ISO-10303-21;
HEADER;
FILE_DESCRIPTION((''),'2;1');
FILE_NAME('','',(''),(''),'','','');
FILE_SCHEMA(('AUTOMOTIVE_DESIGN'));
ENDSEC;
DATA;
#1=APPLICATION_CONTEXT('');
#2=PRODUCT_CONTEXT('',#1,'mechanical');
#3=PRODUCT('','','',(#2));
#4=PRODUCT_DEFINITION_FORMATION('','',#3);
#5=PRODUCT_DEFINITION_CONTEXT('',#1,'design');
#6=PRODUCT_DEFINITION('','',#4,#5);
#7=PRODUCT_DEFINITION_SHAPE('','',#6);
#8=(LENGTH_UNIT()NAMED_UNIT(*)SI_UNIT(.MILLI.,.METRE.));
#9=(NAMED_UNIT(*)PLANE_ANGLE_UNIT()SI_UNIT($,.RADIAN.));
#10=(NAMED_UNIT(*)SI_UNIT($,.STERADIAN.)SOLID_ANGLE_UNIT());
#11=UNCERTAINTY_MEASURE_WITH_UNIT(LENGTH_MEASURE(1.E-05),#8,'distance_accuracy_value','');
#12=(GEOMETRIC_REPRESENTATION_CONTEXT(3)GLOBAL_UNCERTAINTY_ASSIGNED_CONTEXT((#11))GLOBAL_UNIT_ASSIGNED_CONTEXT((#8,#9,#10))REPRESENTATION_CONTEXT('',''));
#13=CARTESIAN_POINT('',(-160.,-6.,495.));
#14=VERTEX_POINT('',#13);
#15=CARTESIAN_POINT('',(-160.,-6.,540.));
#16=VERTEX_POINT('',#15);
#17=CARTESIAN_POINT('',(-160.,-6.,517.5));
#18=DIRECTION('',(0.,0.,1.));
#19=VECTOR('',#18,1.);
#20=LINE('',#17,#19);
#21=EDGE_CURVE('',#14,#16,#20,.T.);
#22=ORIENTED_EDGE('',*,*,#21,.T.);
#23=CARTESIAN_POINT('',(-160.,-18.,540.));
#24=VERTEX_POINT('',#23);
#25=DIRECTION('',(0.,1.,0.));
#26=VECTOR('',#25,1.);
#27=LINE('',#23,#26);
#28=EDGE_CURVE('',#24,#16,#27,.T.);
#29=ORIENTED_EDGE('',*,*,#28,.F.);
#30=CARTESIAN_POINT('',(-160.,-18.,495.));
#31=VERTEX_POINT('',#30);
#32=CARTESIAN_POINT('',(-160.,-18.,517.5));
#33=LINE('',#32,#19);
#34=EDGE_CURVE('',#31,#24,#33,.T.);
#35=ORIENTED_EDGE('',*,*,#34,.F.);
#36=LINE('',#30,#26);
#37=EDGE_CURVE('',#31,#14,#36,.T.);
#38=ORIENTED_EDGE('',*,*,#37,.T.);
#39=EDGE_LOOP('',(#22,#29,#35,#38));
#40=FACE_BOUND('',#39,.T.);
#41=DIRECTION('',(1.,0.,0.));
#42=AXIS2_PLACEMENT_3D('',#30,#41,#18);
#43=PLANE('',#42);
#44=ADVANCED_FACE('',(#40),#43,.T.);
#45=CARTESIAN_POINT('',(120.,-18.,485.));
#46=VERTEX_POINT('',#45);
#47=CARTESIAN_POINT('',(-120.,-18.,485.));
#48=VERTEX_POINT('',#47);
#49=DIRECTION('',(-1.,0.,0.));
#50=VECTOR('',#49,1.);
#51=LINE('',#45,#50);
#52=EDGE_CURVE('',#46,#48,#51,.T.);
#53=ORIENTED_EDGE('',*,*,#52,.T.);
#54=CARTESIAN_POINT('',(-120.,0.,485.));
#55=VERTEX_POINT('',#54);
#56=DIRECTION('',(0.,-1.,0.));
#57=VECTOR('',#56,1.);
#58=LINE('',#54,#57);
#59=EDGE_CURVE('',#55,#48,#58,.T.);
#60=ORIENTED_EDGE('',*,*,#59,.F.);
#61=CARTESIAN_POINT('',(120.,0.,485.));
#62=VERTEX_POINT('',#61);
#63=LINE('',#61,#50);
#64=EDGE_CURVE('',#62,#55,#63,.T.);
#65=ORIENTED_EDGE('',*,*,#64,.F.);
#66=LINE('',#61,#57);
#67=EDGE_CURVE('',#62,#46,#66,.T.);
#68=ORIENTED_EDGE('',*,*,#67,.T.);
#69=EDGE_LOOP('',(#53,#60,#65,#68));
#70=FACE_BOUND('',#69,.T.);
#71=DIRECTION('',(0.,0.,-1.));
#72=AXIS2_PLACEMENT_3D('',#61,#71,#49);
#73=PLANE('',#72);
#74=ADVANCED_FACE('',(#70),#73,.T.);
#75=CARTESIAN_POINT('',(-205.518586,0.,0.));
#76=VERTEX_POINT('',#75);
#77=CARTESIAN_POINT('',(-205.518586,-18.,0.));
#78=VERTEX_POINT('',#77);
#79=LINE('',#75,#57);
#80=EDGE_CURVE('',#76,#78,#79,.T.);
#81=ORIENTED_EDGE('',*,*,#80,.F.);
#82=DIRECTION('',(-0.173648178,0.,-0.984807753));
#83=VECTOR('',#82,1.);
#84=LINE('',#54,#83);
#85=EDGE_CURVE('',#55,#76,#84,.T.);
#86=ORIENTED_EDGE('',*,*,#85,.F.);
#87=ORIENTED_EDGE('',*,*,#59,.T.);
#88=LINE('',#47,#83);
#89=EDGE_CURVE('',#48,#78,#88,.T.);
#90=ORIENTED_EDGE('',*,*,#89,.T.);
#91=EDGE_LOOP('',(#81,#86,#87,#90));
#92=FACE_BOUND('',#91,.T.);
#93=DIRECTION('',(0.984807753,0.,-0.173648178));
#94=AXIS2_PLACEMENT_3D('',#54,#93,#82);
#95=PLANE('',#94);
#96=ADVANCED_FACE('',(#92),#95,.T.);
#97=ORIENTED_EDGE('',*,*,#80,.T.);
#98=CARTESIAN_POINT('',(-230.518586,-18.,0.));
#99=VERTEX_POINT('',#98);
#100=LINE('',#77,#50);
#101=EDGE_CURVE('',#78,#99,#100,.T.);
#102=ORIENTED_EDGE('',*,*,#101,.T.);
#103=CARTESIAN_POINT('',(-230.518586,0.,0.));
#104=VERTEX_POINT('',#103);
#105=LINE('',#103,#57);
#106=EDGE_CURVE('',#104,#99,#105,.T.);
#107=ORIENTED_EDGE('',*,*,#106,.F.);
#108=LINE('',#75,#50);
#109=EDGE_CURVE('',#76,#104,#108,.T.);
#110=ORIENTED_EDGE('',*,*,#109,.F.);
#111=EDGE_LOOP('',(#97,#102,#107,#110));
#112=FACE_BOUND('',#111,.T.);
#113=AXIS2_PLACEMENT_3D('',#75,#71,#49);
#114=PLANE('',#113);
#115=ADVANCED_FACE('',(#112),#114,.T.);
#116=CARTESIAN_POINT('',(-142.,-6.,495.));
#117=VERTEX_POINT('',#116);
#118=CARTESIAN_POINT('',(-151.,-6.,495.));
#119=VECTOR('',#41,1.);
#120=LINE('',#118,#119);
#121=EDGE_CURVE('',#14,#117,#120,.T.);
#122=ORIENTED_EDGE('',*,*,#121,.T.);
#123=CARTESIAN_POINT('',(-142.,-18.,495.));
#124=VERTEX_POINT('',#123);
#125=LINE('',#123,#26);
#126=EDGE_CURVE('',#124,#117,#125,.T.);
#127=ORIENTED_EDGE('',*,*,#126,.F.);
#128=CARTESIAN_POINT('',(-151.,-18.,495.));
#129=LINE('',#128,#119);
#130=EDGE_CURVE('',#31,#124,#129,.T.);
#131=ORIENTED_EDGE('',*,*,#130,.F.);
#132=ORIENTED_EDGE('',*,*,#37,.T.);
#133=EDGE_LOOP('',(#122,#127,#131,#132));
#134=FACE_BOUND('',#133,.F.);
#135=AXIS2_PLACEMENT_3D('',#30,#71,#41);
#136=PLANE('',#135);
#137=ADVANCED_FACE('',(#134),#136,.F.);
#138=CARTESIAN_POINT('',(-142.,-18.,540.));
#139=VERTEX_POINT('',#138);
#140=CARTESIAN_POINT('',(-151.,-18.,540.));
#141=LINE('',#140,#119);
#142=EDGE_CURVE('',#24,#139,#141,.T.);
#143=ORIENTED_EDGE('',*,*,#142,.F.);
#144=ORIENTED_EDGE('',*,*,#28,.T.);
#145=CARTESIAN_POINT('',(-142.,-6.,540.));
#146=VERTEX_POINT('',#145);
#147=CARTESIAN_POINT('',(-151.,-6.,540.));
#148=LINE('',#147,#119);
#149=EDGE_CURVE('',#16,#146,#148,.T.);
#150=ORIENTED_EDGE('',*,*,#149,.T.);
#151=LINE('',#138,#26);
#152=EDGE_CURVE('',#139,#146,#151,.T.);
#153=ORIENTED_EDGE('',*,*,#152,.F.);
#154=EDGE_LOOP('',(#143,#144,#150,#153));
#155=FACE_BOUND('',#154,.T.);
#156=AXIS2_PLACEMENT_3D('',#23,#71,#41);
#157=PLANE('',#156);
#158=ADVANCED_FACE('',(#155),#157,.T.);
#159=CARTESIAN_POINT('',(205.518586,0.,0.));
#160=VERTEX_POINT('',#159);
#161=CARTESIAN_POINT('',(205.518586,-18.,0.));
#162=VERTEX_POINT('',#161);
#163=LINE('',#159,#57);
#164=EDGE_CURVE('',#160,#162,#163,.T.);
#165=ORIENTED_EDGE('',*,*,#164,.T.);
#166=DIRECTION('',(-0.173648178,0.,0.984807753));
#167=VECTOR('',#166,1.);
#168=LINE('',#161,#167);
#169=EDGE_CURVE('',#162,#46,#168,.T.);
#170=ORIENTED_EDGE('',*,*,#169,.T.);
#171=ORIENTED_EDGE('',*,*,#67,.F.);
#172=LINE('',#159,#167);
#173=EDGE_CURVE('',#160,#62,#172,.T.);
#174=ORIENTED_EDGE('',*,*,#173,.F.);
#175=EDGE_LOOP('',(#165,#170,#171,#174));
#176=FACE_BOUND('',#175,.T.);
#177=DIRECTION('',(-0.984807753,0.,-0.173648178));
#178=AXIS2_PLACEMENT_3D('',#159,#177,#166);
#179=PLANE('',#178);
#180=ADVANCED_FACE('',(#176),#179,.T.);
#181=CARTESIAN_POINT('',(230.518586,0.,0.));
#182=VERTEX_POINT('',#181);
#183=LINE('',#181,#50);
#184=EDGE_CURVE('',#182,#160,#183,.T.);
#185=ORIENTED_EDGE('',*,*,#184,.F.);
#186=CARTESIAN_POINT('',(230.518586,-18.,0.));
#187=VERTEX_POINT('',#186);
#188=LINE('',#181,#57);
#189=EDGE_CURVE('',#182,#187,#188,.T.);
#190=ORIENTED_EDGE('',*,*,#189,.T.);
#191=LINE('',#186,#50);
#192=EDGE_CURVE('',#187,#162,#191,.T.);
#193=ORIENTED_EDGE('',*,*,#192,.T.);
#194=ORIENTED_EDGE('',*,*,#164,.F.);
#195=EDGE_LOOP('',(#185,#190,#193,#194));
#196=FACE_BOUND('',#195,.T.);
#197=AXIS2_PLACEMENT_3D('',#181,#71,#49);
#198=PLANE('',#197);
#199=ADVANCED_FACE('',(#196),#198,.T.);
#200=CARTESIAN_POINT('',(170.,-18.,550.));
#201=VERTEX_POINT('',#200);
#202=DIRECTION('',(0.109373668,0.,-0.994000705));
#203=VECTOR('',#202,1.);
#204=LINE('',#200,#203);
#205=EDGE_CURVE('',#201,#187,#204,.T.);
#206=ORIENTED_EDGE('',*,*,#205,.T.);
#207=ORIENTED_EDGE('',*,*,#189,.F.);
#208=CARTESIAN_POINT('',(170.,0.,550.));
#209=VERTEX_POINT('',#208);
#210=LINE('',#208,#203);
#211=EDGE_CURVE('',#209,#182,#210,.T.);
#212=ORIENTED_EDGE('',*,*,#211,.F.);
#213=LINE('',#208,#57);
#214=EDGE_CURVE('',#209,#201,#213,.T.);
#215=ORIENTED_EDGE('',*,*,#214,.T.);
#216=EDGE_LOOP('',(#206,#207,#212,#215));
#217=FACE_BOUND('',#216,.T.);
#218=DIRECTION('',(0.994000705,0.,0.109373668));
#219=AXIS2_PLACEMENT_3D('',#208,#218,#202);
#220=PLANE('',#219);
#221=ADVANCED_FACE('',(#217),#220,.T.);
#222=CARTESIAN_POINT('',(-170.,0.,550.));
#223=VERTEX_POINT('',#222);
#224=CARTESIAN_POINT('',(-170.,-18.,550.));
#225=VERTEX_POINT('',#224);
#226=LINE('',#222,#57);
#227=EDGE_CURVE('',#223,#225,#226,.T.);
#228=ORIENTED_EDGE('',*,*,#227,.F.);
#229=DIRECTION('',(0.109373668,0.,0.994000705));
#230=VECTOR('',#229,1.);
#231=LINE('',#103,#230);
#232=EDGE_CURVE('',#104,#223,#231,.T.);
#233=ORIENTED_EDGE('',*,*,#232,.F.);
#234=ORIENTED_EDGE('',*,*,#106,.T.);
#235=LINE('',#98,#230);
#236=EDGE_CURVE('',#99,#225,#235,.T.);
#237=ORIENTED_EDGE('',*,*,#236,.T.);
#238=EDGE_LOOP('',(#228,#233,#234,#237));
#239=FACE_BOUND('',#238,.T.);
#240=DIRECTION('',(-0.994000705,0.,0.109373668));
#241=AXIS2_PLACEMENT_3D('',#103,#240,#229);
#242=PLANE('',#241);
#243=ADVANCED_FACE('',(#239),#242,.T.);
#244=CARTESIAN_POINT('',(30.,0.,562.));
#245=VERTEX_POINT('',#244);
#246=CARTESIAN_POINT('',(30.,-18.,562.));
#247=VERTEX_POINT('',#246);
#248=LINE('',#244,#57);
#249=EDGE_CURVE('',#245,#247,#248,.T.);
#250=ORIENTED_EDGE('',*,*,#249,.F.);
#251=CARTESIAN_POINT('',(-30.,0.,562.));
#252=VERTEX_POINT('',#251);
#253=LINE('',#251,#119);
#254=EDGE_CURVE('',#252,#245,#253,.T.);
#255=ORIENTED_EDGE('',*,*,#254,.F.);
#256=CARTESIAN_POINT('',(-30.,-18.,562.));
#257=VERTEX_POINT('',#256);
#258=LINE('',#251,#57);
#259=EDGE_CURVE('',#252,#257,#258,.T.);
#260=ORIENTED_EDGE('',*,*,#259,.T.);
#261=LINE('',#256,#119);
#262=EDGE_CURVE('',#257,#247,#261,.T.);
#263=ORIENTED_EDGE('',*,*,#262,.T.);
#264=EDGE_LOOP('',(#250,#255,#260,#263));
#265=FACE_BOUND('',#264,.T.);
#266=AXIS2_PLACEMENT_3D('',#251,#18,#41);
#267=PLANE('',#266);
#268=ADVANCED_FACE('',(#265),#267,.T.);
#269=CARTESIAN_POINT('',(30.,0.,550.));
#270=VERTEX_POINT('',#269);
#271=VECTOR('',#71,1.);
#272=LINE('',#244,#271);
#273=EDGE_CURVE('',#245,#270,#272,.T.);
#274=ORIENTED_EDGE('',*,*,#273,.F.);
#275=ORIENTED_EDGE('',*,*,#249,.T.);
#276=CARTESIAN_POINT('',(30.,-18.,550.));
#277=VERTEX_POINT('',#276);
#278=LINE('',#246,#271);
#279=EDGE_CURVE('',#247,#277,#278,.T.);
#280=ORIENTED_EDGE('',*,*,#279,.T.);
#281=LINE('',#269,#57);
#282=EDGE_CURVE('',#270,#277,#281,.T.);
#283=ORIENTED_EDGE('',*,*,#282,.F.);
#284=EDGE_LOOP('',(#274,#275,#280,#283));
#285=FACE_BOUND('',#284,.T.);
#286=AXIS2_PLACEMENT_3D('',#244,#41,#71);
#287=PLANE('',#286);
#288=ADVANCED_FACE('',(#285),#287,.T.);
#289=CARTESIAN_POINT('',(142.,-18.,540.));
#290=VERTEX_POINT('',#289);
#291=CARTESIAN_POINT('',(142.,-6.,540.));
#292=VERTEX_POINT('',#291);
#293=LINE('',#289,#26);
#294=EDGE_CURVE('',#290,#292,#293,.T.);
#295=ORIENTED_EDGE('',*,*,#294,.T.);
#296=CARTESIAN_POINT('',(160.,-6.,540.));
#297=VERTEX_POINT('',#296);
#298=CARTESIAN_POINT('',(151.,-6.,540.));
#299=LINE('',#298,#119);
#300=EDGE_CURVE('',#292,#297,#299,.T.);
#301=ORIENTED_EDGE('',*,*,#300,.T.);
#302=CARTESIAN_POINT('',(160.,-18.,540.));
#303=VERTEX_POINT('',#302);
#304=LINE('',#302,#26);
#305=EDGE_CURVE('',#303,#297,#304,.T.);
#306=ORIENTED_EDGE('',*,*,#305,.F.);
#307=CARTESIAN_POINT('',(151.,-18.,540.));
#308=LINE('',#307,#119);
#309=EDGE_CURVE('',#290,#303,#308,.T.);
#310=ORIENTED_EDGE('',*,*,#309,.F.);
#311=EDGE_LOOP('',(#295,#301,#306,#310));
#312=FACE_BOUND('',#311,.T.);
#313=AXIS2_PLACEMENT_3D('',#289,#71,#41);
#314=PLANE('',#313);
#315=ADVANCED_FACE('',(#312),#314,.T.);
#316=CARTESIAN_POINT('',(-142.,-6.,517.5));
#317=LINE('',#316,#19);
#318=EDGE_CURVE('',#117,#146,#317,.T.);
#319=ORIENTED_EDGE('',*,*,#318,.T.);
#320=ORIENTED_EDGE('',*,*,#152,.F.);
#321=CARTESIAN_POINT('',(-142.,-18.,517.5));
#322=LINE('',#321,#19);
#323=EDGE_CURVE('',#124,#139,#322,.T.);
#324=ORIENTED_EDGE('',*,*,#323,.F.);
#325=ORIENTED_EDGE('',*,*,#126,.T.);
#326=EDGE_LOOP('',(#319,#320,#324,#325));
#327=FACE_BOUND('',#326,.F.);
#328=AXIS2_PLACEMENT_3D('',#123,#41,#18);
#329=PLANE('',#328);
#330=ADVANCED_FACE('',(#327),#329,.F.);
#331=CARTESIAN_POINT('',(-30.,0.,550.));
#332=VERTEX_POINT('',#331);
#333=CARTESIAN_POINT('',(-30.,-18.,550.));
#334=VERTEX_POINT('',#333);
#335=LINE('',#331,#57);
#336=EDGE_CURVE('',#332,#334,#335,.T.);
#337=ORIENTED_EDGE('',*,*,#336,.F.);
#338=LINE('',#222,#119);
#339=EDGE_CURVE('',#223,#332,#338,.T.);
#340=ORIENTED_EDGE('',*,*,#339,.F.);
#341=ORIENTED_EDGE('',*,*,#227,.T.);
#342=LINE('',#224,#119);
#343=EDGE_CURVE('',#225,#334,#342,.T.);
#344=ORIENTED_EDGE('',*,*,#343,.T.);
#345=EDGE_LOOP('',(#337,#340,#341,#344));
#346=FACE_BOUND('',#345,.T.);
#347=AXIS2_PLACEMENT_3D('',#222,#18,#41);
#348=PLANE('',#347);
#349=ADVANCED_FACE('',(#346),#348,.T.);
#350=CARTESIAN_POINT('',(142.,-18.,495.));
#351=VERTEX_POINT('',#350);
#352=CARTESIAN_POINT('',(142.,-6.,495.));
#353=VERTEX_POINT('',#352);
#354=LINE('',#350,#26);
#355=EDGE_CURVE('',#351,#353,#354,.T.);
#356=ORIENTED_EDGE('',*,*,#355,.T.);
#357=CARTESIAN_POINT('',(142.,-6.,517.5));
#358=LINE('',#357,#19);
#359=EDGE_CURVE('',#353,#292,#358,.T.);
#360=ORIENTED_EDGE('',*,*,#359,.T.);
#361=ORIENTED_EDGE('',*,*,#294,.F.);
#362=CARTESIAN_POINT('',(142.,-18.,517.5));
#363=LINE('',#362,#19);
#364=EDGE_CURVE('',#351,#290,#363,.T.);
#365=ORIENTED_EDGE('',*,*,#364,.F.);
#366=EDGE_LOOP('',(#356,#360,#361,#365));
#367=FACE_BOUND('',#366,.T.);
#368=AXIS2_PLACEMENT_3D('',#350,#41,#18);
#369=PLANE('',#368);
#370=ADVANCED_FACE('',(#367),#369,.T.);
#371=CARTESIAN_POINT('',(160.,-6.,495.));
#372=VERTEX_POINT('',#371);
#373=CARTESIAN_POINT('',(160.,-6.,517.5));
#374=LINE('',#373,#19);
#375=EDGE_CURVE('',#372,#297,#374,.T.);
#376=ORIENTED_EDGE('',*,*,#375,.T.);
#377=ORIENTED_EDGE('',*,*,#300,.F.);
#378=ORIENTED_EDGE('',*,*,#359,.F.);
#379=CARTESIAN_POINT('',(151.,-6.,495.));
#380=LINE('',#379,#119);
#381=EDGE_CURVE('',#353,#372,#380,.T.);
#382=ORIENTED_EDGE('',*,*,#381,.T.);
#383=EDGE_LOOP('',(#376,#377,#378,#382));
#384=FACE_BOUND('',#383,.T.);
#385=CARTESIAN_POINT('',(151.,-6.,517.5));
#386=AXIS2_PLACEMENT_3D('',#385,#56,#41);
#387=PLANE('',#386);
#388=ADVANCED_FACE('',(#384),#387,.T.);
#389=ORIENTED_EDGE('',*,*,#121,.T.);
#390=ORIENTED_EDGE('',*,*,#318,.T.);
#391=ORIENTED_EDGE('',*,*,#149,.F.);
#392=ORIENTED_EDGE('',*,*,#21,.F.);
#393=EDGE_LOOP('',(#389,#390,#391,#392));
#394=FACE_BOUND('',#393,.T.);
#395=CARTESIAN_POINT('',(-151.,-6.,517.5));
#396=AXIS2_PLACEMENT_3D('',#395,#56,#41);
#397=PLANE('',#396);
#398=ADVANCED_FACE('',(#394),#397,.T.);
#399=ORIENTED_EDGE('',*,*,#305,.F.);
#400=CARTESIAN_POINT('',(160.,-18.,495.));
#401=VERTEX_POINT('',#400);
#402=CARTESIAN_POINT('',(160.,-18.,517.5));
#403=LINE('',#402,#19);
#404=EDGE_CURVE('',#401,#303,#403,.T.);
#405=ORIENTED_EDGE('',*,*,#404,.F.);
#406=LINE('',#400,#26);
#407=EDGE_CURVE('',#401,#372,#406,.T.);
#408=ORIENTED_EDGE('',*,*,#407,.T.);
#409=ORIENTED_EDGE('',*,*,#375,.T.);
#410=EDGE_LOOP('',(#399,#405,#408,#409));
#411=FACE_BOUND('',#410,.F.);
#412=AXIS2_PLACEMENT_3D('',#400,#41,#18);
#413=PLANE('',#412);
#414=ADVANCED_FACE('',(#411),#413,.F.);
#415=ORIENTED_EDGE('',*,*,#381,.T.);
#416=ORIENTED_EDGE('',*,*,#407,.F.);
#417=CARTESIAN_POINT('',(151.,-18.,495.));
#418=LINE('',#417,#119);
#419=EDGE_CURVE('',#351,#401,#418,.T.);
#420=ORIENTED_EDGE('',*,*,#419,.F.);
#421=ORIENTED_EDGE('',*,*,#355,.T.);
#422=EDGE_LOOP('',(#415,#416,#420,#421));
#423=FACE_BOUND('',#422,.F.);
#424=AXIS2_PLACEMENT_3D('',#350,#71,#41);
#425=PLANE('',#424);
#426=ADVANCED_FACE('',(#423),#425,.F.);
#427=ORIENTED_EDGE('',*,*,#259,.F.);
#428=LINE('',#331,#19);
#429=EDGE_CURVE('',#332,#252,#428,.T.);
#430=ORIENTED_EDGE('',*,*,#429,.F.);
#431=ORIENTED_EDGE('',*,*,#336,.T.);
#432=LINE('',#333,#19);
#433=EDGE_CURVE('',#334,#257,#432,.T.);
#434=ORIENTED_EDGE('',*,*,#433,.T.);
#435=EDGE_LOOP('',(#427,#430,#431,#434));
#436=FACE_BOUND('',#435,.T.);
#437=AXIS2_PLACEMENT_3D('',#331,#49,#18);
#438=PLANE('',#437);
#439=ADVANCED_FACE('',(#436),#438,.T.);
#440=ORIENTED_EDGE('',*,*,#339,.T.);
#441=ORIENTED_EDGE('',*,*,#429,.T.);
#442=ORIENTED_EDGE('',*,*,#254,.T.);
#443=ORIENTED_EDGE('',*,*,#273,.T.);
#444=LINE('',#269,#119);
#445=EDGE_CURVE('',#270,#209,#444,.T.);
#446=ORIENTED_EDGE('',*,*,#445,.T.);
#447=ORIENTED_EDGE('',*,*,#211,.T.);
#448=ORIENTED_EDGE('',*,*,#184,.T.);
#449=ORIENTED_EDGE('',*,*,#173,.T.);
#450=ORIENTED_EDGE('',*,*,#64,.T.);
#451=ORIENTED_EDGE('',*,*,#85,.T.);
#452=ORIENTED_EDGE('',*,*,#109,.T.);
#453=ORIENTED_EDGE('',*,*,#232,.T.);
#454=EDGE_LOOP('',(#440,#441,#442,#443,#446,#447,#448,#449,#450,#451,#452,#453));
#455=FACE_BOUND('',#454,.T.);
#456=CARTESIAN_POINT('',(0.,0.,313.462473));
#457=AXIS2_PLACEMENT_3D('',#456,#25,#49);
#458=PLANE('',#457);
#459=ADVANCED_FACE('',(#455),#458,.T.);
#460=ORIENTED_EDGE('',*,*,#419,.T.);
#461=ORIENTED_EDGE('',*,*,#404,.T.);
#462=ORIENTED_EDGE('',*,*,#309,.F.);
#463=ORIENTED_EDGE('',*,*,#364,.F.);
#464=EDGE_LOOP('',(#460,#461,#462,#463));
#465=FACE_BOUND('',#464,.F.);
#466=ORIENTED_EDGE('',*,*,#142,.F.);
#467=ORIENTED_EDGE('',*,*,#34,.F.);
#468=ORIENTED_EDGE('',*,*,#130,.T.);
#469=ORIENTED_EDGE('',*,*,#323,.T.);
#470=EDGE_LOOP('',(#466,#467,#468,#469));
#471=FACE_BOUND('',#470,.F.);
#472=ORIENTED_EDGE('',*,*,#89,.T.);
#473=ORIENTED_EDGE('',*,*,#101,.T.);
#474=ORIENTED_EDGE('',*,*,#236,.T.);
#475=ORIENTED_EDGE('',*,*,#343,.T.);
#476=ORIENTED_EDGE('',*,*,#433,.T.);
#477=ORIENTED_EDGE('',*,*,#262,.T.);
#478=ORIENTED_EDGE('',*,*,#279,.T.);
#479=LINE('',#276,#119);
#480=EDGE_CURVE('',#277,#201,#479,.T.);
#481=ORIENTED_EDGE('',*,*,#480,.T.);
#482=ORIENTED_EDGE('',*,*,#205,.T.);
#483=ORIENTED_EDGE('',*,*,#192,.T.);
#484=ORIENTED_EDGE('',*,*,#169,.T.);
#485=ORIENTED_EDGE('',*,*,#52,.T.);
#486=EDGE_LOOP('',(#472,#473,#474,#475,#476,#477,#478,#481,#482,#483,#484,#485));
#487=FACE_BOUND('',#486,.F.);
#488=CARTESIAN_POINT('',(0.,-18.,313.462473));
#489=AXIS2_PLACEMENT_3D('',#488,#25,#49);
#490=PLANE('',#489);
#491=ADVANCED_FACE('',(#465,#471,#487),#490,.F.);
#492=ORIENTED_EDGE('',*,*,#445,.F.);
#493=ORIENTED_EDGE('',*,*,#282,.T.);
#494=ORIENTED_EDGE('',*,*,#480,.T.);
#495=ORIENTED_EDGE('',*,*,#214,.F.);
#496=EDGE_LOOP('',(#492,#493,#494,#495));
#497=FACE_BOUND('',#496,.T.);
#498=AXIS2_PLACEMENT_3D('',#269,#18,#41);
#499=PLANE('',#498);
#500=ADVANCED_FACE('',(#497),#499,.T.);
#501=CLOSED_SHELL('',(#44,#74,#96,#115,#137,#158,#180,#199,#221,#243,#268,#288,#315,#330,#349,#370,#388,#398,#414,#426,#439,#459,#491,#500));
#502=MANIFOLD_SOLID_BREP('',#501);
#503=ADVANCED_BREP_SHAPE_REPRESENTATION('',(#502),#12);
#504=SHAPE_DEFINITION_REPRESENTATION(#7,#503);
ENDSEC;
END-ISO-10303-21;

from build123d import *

# Parameters (mm, degrees)
PAD_DEPTH    = 18
SKETCH001_W  = 18
SKETCH001_H  = 45
POCKET_DEPTH = 12


with BuildPart() as part:
    # Sketch → Pad (new body)
    with BuildSketch(Plane.XZ):
        Polygon((-230.518586, 0), (-170, 550), (-30, 550), (-30, 562), (30, 562), (30, 550), (170, 550), (230.518586, 0), (205.518586, 0), (120, 485), (-120, 485), (-205.518586, 0), align=None)
    extrude(amount=PAD_DEPTH)

    # Sketch001 → Pocket (cut)
    with BuildSketch(Plane.XZ.offset(18)):
        with Locations((-151, 517.5)):
            Rectangle(SKETCH001_W, SKETCH001_H)
        with Locations((151, 517.5)):
            Rectangle(SKETCH001_W, SKETCH001_H)
    extrude(amount=-POCKET_DEPTH, mode=Mode.SUBTRACT)


solid = part.part
